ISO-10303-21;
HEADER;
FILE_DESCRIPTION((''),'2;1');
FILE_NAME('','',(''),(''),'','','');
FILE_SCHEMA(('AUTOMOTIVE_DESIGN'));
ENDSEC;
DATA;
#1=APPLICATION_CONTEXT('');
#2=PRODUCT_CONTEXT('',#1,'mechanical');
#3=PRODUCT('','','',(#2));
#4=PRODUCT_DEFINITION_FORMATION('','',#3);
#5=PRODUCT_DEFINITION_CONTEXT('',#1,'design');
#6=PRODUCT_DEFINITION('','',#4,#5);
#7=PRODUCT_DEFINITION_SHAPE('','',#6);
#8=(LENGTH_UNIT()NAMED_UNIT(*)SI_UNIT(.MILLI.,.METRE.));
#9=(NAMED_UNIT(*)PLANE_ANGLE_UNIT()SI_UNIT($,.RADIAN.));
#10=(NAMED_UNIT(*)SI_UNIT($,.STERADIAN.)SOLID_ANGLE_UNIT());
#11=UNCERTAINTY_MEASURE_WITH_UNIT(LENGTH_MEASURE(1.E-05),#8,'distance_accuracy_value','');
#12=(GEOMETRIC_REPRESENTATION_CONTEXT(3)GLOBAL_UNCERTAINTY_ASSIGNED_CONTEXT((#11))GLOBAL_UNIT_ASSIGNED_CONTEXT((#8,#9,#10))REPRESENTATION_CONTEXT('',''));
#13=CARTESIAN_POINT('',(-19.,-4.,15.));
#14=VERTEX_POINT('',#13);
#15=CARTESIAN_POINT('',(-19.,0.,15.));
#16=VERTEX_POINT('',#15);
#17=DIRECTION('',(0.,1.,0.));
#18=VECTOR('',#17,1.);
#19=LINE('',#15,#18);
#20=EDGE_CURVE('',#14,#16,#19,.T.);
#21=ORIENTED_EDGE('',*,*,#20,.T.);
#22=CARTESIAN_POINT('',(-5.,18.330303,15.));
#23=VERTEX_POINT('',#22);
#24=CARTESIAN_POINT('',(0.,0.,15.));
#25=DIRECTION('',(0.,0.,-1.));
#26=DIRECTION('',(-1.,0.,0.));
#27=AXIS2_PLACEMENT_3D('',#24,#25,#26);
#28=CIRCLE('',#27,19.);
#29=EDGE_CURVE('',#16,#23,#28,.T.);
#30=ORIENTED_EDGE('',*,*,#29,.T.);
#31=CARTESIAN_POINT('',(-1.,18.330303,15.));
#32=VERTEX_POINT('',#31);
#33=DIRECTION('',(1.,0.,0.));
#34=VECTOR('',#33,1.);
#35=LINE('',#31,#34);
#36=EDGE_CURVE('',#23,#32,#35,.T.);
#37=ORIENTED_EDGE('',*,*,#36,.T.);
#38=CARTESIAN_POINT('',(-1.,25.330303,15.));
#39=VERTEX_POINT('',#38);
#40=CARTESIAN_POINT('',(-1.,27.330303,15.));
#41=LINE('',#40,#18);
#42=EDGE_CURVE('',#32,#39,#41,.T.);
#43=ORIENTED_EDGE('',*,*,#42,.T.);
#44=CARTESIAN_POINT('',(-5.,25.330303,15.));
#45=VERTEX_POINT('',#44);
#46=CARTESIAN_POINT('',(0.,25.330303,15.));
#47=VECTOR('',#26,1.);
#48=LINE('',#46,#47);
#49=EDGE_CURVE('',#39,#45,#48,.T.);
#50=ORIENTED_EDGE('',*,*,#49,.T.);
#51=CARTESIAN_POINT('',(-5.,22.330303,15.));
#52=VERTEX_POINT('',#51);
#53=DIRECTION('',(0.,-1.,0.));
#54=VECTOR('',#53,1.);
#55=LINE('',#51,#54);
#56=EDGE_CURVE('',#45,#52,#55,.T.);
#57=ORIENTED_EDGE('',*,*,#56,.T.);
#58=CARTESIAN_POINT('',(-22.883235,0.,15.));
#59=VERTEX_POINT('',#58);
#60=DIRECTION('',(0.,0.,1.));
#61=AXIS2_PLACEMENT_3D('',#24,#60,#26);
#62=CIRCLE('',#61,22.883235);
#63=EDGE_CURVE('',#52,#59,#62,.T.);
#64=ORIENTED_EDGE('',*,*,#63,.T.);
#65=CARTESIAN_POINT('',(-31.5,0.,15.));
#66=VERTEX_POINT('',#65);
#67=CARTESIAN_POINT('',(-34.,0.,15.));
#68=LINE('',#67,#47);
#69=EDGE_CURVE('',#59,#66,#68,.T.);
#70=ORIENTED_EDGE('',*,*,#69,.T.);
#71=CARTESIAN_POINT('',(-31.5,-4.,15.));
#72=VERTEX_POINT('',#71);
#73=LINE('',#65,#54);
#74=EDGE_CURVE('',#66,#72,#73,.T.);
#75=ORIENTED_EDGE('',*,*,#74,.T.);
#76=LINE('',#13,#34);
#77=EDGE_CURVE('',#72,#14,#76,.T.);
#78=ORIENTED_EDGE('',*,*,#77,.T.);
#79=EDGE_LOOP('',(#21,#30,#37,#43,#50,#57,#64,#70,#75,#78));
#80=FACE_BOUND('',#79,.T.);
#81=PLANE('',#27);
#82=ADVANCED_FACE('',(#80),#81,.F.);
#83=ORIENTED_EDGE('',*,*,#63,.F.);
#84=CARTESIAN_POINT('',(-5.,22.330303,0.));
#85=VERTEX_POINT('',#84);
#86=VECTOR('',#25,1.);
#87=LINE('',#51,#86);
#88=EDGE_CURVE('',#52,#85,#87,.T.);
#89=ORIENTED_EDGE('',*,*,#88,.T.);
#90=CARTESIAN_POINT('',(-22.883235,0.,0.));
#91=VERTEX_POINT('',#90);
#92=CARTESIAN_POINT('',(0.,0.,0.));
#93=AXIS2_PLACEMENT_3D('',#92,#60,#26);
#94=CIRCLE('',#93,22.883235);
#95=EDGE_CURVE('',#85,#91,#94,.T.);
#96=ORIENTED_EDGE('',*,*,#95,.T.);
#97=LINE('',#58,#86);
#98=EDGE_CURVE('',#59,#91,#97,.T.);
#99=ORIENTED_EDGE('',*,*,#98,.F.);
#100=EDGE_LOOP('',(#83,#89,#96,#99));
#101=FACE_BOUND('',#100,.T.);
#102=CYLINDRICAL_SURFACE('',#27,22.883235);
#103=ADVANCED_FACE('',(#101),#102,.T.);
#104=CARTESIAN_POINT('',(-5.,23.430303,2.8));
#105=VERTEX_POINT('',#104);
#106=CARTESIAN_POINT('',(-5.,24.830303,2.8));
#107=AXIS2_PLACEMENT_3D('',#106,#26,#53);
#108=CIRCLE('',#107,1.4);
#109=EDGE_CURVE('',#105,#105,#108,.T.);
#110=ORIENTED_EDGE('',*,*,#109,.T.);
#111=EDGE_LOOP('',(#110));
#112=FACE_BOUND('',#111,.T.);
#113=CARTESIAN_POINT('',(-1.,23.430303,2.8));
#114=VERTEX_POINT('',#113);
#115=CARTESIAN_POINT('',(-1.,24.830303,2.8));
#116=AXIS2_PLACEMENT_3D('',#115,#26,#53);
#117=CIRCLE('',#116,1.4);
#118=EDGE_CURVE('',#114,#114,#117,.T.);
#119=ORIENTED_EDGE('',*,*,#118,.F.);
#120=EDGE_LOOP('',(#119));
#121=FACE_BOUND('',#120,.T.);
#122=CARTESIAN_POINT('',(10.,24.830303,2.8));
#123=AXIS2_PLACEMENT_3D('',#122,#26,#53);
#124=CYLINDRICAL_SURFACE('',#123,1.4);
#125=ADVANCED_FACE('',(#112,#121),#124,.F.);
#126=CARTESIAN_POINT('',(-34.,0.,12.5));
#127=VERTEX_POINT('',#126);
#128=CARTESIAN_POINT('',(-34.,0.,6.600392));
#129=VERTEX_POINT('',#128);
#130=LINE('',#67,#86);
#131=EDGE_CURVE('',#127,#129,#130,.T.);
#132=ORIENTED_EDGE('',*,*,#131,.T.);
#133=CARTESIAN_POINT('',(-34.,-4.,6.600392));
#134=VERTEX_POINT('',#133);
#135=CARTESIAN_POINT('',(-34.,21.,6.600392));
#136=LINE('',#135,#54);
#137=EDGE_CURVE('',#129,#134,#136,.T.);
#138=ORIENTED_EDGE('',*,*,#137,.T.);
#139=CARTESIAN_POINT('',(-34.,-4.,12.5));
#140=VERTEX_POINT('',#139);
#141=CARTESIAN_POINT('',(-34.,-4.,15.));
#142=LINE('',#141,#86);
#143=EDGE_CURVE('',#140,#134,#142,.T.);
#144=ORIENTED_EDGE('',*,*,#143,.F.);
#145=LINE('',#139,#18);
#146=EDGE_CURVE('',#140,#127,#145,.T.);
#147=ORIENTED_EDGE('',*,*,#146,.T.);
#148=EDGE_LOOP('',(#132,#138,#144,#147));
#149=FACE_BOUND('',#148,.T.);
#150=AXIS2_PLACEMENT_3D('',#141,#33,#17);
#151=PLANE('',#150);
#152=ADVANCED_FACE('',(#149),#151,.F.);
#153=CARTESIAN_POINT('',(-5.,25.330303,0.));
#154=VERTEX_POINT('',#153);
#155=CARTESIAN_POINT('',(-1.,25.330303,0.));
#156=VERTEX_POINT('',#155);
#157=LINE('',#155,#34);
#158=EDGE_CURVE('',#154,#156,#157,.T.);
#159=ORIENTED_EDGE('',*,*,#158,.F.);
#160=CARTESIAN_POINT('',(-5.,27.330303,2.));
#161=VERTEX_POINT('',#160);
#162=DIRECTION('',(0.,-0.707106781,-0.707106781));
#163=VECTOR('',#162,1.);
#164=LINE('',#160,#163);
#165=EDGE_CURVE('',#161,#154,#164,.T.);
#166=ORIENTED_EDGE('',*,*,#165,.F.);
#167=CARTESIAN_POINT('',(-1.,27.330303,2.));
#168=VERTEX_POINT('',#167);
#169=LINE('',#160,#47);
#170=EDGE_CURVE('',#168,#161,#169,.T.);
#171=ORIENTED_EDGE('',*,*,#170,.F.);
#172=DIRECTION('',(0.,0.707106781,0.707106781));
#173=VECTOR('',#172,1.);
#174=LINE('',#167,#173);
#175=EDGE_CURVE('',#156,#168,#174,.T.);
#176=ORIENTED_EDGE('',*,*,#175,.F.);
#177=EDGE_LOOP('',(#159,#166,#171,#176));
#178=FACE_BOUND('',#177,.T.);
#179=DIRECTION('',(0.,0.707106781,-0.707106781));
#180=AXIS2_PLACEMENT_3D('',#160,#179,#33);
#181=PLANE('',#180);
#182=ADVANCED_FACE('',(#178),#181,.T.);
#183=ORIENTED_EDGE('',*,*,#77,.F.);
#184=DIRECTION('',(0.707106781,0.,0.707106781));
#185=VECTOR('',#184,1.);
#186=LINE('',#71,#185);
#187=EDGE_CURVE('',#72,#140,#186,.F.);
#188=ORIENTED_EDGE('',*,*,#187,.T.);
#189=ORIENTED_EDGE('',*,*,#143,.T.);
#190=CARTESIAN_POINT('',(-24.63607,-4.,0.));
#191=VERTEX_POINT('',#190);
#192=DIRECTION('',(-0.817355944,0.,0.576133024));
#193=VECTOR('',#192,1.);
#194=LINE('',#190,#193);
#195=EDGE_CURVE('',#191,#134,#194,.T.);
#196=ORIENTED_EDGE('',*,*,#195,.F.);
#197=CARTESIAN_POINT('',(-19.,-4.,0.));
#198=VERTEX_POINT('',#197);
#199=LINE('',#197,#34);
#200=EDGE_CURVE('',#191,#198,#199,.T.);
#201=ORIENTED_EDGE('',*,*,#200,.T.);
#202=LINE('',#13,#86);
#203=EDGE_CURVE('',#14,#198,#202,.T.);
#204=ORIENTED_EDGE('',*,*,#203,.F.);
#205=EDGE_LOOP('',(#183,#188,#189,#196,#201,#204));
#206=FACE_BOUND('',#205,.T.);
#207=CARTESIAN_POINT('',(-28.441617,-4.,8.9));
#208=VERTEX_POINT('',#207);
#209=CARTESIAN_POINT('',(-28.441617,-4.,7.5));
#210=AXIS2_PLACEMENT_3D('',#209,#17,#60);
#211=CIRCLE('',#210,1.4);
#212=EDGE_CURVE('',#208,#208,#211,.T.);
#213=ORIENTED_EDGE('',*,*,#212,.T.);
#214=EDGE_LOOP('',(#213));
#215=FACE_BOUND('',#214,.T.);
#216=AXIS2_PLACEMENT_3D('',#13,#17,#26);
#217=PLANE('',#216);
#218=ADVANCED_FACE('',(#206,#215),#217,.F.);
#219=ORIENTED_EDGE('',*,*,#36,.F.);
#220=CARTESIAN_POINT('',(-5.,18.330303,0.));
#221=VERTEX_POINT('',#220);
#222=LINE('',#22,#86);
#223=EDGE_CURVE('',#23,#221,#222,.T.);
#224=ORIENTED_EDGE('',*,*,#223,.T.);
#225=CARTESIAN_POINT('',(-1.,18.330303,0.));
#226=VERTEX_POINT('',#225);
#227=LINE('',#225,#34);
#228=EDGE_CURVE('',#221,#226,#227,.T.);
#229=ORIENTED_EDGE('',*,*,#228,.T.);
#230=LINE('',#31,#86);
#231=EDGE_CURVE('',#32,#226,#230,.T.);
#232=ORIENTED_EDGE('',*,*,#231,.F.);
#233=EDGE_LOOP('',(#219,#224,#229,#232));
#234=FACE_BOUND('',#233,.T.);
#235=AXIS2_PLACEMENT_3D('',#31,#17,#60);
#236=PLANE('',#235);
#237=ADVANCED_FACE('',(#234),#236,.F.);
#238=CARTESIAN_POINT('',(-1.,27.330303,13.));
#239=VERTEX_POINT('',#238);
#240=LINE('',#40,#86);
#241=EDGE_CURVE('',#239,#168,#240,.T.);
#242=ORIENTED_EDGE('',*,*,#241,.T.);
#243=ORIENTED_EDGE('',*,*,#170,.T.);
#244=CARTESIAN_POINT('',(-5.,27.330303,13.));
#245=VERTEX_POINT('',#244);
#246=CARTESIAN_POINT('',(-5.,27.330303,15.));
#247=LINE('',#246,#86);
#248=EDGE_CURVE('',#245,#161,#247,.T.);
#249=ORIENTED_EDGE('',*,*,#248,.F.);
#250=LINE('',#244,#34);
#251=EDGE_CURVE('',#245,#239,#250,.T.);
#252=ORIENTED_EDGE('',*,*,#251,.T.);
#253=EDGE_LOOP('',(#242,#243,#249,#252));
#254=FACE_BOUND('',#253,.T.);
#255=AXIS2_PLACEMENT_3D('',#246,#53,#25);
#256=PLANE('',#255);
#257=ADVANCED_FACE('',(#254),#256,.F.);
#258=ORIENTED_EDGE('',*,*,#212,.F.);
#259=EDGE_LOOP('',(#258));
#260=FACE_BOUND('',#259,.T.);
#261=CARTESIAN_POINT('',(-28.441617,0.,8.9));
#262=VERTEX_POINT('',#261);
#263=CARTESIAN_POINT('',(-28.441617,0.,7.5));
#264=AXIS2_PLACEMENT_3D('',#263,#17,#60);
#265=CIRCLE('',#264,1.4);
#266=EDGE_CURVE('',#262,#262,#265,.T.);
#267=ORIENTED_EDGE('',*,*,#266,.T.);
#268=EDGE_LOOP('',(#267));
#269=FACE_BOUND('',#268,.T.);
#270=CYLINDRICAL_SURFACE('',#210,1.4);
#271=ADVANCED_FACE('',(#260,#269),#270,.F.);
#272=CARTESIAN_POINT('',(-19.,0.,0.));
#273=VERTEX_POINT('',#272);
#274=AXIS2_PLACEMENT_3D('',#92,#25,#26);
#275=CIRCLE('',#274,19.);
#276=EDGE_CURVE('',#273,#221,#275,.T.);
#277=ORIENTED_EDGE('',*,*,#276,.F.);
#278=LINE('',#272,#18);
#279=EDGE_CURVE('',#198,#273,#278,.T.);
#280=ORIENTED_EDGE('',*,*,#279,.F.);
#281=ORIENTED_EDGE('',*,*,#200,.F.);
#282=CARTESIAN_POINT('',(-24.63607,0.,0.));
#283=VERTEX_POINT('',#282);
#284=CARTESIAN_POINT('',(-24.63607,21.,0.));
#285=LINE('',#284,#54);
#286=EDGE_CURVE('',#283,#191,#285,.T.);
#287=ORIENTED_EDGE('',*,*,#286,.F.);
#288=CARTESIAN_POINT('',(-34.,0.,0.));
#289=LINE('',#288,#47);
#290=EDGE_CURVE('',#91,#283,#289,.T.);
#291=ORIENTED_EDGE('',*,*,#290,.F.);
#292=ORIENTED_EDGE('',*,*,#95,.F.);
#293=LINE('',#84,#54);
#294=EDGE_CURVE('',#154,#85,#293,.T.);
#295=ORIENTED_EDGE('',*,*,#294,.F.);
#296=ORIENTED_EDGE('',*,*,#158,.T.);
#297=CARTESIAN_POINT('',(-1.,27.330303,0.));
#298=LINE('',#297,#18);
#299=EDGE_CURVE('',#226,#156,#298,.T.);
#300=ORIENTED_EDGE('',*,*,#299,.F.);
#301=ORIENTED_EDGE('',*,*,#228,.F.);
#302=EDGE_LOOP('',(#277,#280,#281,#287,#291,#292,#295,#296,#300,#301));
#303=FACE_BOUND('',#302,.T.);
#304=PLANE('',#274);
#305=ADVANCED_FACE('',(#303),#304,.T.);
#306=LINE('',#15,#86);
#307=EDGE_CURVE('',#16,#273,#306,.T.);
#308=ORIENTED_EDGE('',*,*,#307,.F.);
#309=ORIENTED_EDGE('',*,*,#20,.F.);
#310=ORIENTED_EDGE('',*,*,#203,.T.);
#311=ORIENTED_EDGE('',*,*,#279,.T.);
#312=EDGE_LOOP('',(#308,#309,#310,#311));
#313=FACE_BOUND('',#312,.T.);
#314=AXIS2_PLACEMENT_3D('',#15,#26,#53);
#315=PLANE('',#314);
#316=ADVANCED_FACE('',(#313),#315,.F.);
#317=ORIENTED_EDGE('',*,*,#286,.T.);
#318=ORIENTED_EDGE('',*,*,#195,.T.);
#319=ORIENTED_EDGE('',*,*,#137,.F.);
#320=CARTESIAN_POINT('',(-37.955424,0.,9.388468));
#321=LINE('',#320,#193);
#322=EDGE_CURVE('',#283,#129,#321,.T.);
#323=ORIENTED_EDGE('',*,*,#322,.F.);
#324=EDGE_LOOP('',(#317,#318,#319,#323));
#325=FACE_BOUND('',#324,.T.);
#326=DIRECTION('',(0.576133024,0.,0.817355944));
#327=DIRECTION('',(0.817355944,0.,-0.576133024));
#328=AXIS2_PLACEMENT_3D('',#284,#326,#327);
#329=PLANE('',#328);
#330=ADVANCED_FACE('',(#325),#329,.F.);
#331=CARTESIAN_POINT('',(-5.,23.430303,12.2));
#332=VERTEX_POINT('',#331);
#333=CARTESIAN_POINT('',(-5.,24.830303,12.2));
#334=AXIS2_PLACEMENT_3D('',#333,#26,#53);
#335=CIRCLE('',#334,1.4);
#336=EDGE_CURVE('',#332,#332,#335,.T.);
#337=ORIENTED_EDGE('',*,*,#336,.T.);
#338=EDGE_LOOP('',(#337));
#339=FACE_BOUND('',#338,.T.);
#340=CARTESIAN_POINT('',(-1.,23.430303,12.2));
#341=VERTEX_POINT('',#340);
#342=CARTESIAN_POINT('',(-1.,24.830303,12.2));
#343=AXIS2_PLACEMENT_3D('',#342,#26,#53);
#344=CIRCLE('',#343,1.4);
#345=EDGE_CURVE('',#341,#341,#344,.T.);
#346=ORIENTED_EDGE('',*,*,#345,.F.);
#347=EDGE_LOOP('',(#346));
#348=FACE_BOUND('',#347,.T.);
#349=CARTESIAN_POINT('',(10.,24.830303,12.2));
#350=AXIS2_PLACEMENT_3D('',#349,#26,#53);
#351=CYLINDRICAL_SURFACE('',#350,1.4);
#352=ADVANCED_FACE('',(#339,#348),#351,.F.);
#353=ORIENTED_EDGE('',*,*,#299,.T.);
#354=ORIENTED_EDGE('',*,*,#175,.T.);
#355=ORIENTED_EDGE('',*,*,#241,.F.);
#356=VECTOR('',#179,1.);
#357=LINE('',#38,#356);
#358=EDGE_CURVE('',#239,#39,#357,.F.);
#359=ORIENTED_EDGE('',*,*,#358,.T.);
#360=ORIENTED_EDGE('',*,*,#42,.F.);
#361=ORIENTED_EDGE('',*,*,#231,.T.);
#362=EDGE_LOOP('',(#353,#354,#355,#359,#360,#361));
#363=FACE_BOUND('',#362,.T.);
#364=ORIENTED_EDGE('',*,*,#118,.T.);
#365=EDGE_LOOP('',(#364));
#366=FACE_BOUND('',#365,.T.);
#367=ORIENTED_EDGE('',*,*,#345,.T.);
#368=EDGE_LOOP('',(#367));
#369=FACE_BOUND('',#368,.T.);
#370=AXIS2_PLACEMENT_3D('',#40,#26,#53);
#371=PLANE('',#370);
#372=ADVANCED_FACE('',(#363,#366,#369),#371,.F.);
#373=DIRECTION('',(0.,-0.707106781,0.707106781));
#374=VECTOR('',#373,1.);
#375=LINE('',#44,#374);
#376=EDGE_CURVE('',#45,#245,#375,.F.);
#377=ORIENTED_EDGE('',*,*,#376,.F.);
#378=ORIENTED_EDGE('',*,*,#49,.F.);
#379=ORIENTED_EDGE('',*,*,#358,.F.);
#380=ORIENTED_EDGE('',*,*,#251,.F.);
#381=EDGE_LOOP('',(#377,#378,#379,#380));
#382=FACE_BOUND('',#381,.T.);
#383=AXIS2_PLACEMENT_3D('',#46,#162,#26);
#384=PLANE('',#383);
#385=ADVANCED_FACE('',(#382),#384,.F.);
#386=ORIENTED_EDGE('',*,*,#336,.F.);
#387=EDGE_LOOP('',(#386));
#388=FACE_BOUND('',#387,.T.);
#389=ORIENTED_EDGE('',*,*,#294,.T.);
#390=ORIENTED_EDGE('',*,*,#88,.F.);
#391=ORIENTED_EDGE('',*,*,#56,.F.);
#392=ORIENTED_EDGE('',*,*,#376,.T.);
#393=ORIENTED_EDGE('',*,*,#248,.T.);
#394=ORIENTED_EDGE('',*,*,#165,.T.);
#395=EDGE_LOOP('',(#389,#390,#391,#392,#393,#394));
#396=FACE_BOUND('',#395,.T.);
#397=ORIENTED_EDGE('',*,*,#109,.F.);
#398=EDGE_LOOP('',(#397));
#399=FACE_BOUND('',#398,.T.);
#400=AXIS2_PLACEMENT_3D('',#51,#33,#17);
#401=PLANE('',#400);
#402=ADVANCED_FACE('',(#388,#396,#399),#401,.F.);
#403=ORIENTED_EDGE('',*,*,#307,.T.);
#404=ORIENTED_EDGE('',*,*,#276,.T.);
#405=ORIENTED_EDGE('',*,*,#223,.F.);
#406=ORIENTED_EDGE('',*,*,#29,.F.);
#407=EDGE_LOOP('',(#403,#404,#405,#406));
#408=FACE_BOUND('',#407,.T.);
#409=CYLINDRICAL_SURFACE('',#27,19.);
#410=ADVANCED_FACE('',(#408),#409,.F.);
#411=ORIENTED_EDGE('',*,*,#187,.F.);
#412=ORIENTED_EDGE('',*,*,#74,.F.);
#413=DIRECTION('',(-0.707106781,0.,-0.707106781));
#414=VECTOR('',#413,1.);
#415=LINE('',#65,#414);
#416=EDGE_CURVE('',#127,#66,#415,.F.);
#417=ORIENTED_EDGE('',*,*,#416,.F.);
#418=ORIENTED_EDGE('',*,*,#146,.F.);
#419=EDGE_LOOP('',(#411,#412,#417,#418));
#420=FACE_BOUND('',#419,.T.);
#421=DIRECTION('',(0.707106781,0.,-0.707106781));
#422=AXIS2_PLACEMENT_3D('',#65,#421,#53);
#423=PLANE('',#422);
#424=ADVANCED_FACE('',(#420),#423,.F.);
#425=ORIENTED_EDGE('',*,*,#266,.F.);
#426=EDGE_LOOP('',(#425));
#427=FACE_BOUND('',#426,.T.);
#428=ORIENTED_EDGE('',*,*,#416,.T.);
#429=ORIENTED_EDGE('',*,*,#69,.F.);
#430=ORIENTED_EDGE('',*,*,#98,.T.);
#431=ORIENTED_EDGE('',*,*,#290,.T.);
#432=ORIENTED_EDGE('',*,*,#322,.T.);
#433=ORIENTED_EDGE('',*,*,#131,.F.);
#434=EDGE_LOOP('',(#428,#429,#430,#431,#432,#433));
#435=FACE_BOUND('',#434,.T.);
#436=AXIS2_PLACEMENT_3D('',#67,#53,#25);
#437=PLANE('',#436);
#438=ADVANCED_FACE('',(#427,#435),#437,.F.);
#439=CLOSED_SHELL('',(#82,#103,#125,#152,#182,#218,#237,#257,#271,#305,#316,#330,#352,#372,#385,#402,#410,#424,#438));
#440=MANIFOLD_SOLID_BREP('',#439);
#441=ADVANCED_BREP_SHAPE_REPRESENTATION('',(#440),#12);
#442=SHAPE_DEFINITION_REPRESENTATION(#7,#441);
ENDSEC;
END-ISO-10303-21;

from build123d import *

# Parameters (mm, degrees)
BOSS_EXTRUDE1_DEPTH = 15
CHAMFER1_SIZE       = 2.5
SKETCH2_R           = 1.4
CUT_EXTRUDE1_DEPTH  = 15
CHAMFER2_SIZE       = 2
SKETCH3_R           = 1.4
CUT_EXTRUDE2_DEPTH  = 47.129659115
CUT_EXTRUDE3_DEPTH  = 25


with BuildPart() as part:
    # Sketch1 → Boss-Extrude1 (new body)
    with BuildSketch(Plane.XY):
        with BuildLine():
            Line((-19, 0), (-19, -4))
            Line((-19, -4), (-34, -4))
            Line((-34, -4), (-34, 0))
            Line((-34, 0), (-22.883234523, 0))
            ThreePointArc((-22.883234523, 0), (-17.861391251, 14.304304416), (-5, 22.33030278))
            Line((-5, 22.33030278), (-5, 27.33030278))
            Line((-5, 27.33030278), (-1, 27.33030278))
            Line((-1, 27.33030278), (-1, 18.33030278))
            Line((-1, 18.33030278), (-5, 18.33030278))
            ThreePointArc((-5, 18.33030278), (-15.099668871, 11.532562595), (-19, 0))
        make_face()
    extrude(amount=BOSS_EXTRUDE1_DEPTH)

    # Chamfer1
    chamfer1_edges = [part.edges().sort_by_distance(p)[0] for p in [
        (-34, -2, 0),
        (-34, -2, 15),
    ]]
    chamfer(chamfer1_edges, length=CHAMFER1_SIZE)

    # Sketch2 → Cut-Extrude1 (cut)
    with BuildSketch(Plane.ZY.offset(5)):
        with Locations(Location((2.8, 24.83030278, 0), (0, 0, 270))):
            Circle(SKETCH2_R)
        with Locations(Location((12.2, 24.83030278, 0), (0, 0, 270))):
            Circle(SKETCH2_R)
    extrude(amount=-CUT_EXTRUDE1_DEPTH, mode=Mode.SUBTRACT)

    # Chamfer2
    chamfer2_edges = [part.edges().sort_by_distance(p)[0] for p in [
        (-3, 27.33030278, 0),
        (-3, 27.33030278, 15),
    ]]
    chamfer(chamfer2_edges, length=CHAMFER2_SIZE)

    # Sketch3 → Cut-Extrude2 (cut, through all)
    with BuildSketch(Plane(origin=(0, 0, 0), x_dir=(1, 0, 0), z_dir=(0, 1, 0))):
        with Locations(Location((-28.441617262, -7.5, 0), (0, 0, 270))):
            Circle(SKETCH3_R)
    extrude(amount=-CUT_EXTRUDE2_DEPTH, mode=Mode.SUBTRACT)

    # Sketch4 → Cut-Extrude3 (cut)
    with BuildSketch(Plane.XZ.offset(4)):
        Polygon((-24.636069701, 0), (-34, 6.600391812), (-34, 2.5), (-31.5, 0), align=None)
    extrude(amount=-CUT_EXTRUDE3_DEPTH, mode=Mode.SUBTRACT)


solid = part.part
